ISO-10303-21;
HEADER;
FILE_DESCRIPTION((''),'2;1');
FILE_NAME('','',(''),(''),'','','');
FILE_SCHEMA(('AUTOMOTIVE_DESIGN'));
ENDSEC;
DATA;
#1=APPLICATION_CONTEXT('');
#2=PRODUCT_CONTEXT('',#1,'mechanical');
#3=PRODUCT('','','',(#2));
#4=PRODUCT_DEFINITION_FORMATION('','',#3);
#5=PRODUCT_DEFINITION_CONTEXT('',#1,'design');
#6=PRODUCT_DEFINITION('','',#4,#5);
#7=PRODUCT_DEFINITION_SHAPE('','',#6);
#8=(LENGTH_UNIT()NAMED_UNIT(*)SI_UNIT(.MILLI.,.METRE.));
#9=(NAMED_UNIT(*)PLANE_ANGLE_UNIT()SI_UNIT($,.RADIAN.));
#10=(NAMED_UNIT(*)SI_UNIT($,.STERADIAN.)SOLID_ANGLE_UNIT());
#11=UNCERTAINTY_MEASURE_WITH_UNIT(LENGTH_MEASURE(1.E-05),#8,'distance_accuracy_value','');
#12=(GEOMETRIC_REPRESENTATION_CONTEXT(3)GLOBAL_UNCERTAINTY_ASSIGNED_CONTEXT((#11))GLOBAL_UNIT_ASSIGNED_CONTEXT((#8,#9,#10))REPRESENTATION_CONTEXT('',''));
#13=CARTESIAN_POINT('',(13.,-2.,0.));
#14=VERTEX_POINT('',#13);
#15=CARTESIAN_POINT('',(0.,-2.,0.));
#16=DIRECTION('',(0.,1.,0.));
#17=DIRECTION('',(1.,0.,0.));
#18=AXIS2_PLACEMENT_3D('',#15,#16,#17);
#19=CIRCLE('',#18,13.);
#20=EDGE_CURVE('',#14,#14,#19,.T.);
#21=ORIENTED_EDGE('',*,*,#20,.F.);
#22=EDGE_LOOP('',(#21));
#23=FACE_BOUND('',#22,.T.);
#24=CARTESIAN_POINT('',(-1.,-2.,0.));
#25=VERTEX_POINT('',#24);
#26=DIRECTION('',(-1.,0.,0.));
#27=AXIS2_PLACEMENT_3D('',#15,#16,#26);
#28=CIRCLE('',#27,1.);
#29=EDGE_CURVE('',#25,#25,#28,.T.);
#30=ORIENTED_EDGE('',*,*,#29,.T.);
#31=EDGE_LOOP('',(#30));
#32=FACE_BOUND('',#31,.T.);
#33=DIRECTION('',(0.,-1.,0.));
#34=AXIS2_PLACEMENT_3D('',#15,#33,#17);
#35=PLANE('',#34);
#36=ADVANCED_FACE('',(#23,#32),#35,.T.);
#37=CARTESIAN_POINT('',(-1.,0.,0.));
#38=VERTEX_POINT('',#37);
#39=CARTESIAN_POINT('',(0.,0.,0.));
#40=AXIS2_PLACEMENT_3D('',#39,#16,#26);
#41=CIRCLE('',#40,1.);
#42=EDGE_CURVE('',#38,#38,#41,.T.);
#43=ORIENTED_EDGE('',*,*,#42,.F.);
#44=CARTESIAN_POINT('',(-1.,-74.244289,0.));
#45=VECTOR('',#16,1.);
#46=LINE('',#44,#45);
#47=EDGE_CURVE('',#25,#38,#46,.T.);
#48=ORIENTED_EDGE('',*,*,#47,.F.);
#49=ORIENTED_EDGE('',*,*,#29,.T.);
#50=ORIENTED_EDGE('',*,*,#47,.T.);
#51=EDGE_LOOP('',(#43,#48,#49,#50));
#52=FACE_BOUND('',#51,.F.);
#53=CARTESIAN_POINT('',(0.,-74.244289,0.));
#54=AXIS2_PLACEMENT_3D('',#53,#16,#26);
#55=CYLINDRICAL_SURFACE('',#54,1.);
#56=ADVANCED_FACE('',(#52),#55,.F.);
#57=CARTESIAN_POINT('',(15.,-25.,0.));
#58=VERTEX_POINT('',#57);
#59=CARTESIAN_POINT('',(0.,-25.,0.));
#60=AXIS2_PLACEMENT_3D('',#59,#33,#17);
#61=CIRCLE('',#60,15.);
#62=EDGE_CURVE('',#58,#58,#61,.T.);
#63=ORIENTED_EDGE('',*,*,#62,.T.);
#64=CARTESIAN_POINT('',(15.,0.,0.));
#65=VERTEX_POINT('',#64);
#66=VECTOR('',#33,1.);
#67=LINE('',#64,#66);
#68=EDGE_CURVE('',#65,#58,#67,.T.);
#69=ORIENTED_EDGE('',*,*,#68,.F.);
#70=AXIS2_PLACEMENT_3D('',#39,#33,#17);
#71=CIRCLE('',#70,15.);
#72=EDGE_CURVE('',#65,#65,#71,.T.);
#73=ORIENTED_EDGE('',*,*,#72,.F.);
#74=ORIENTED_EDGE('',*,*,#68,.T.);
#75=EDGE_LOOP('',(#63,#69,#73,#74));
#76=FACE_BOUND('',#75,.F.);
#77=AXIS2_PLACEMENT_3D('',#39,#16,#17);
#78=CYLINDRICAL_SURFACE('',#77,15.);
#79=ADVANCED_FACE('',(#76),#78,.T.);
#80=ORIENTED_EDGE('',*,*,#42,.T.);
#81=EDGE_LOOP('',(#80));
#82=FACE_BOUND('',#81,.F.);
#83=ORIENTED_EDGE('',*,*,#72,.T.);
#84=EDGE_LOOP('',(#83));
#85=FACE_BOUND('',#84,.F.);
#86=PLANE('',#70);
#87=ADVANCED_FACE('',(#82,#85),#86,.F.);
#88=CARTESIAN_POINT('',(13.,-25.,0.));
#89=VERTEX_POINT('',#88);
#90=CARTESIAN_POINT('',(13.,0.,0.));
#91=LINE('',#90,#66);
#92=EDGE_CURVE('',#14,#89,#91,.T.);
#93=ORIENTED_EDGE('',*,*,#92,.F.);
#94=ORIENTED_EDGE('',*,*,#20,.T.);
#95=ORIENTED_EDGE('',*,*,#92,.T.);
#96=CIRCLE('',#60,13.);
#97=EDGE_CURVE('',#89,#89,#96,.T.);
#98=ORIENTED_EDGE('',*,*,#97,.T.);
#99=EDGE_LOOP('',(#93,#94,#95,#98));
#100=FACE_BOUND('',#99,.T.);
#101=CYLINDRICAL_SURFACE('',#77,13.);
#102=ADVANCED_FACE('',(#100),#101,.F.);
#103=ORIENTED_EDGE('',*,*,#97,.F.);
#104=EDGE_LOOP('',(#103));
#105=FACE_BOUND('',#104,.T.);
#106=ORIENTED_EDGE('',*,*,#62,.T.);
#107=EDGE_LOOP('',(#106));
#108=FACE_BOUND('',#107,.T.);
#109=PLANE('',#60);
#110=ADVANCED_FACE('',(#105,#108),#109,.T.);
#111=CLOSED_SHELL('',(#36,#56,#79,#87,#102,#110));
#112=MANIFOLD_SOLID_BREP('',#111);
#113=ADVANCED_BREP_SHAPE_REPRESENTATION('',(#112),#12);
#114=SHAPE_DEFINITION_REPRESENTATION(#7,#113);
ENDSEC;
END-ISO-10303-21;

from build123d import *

# Parameters (mm, degrees)
F0_R     = 15
F1_DEPTH = 25
F3_D     = 25.1
F3_DEPTH = 20
F3_TIP   = 7.5408007688
F5_R     = 15
F6_DEPTH = 25
F8_T     = -2
F9_D     = 2


with BuildPart() as f1:
    # F0 (on Front) → F1 (new body)
    with BuildSketch(Plane.XZ):
        Circle(F0_R)
    extrude(amount=F1_DEPTH)

    # F3
    with Locations(Plane.XZ.offset(25)):
        with Locations((0, 0)):
            Hole(F3_D / 2, depth=F3_DEPTH)
            with Locations((0, 0, -(F3_DEPTH + F3_TIP / 2))):  # 118° drill point
                Cone(0, F3_D / 2, F3_TIP, mode=Mode.SUBTRACT)


with BuildPart() as f6:
    # F5 (on Front) → F6 (new body)
    with BuildSketch(Plane.XZ):
        Circle(F5_R)
    extrude(amount=F6_DEPTH)

    # F8
    f8_openings = [f6.faces().sort_by_distance(p)[0] for p in [
        (0, -25, 0),
    ]]
    offset(amount=F8_T, openings=f8_openings)

    # F9 (through all)
    with Locations(Plane.XZ.offset(25)):
        with Locations((0, 0)):
            Hole(F9_D / 2)


solid = f6.part
